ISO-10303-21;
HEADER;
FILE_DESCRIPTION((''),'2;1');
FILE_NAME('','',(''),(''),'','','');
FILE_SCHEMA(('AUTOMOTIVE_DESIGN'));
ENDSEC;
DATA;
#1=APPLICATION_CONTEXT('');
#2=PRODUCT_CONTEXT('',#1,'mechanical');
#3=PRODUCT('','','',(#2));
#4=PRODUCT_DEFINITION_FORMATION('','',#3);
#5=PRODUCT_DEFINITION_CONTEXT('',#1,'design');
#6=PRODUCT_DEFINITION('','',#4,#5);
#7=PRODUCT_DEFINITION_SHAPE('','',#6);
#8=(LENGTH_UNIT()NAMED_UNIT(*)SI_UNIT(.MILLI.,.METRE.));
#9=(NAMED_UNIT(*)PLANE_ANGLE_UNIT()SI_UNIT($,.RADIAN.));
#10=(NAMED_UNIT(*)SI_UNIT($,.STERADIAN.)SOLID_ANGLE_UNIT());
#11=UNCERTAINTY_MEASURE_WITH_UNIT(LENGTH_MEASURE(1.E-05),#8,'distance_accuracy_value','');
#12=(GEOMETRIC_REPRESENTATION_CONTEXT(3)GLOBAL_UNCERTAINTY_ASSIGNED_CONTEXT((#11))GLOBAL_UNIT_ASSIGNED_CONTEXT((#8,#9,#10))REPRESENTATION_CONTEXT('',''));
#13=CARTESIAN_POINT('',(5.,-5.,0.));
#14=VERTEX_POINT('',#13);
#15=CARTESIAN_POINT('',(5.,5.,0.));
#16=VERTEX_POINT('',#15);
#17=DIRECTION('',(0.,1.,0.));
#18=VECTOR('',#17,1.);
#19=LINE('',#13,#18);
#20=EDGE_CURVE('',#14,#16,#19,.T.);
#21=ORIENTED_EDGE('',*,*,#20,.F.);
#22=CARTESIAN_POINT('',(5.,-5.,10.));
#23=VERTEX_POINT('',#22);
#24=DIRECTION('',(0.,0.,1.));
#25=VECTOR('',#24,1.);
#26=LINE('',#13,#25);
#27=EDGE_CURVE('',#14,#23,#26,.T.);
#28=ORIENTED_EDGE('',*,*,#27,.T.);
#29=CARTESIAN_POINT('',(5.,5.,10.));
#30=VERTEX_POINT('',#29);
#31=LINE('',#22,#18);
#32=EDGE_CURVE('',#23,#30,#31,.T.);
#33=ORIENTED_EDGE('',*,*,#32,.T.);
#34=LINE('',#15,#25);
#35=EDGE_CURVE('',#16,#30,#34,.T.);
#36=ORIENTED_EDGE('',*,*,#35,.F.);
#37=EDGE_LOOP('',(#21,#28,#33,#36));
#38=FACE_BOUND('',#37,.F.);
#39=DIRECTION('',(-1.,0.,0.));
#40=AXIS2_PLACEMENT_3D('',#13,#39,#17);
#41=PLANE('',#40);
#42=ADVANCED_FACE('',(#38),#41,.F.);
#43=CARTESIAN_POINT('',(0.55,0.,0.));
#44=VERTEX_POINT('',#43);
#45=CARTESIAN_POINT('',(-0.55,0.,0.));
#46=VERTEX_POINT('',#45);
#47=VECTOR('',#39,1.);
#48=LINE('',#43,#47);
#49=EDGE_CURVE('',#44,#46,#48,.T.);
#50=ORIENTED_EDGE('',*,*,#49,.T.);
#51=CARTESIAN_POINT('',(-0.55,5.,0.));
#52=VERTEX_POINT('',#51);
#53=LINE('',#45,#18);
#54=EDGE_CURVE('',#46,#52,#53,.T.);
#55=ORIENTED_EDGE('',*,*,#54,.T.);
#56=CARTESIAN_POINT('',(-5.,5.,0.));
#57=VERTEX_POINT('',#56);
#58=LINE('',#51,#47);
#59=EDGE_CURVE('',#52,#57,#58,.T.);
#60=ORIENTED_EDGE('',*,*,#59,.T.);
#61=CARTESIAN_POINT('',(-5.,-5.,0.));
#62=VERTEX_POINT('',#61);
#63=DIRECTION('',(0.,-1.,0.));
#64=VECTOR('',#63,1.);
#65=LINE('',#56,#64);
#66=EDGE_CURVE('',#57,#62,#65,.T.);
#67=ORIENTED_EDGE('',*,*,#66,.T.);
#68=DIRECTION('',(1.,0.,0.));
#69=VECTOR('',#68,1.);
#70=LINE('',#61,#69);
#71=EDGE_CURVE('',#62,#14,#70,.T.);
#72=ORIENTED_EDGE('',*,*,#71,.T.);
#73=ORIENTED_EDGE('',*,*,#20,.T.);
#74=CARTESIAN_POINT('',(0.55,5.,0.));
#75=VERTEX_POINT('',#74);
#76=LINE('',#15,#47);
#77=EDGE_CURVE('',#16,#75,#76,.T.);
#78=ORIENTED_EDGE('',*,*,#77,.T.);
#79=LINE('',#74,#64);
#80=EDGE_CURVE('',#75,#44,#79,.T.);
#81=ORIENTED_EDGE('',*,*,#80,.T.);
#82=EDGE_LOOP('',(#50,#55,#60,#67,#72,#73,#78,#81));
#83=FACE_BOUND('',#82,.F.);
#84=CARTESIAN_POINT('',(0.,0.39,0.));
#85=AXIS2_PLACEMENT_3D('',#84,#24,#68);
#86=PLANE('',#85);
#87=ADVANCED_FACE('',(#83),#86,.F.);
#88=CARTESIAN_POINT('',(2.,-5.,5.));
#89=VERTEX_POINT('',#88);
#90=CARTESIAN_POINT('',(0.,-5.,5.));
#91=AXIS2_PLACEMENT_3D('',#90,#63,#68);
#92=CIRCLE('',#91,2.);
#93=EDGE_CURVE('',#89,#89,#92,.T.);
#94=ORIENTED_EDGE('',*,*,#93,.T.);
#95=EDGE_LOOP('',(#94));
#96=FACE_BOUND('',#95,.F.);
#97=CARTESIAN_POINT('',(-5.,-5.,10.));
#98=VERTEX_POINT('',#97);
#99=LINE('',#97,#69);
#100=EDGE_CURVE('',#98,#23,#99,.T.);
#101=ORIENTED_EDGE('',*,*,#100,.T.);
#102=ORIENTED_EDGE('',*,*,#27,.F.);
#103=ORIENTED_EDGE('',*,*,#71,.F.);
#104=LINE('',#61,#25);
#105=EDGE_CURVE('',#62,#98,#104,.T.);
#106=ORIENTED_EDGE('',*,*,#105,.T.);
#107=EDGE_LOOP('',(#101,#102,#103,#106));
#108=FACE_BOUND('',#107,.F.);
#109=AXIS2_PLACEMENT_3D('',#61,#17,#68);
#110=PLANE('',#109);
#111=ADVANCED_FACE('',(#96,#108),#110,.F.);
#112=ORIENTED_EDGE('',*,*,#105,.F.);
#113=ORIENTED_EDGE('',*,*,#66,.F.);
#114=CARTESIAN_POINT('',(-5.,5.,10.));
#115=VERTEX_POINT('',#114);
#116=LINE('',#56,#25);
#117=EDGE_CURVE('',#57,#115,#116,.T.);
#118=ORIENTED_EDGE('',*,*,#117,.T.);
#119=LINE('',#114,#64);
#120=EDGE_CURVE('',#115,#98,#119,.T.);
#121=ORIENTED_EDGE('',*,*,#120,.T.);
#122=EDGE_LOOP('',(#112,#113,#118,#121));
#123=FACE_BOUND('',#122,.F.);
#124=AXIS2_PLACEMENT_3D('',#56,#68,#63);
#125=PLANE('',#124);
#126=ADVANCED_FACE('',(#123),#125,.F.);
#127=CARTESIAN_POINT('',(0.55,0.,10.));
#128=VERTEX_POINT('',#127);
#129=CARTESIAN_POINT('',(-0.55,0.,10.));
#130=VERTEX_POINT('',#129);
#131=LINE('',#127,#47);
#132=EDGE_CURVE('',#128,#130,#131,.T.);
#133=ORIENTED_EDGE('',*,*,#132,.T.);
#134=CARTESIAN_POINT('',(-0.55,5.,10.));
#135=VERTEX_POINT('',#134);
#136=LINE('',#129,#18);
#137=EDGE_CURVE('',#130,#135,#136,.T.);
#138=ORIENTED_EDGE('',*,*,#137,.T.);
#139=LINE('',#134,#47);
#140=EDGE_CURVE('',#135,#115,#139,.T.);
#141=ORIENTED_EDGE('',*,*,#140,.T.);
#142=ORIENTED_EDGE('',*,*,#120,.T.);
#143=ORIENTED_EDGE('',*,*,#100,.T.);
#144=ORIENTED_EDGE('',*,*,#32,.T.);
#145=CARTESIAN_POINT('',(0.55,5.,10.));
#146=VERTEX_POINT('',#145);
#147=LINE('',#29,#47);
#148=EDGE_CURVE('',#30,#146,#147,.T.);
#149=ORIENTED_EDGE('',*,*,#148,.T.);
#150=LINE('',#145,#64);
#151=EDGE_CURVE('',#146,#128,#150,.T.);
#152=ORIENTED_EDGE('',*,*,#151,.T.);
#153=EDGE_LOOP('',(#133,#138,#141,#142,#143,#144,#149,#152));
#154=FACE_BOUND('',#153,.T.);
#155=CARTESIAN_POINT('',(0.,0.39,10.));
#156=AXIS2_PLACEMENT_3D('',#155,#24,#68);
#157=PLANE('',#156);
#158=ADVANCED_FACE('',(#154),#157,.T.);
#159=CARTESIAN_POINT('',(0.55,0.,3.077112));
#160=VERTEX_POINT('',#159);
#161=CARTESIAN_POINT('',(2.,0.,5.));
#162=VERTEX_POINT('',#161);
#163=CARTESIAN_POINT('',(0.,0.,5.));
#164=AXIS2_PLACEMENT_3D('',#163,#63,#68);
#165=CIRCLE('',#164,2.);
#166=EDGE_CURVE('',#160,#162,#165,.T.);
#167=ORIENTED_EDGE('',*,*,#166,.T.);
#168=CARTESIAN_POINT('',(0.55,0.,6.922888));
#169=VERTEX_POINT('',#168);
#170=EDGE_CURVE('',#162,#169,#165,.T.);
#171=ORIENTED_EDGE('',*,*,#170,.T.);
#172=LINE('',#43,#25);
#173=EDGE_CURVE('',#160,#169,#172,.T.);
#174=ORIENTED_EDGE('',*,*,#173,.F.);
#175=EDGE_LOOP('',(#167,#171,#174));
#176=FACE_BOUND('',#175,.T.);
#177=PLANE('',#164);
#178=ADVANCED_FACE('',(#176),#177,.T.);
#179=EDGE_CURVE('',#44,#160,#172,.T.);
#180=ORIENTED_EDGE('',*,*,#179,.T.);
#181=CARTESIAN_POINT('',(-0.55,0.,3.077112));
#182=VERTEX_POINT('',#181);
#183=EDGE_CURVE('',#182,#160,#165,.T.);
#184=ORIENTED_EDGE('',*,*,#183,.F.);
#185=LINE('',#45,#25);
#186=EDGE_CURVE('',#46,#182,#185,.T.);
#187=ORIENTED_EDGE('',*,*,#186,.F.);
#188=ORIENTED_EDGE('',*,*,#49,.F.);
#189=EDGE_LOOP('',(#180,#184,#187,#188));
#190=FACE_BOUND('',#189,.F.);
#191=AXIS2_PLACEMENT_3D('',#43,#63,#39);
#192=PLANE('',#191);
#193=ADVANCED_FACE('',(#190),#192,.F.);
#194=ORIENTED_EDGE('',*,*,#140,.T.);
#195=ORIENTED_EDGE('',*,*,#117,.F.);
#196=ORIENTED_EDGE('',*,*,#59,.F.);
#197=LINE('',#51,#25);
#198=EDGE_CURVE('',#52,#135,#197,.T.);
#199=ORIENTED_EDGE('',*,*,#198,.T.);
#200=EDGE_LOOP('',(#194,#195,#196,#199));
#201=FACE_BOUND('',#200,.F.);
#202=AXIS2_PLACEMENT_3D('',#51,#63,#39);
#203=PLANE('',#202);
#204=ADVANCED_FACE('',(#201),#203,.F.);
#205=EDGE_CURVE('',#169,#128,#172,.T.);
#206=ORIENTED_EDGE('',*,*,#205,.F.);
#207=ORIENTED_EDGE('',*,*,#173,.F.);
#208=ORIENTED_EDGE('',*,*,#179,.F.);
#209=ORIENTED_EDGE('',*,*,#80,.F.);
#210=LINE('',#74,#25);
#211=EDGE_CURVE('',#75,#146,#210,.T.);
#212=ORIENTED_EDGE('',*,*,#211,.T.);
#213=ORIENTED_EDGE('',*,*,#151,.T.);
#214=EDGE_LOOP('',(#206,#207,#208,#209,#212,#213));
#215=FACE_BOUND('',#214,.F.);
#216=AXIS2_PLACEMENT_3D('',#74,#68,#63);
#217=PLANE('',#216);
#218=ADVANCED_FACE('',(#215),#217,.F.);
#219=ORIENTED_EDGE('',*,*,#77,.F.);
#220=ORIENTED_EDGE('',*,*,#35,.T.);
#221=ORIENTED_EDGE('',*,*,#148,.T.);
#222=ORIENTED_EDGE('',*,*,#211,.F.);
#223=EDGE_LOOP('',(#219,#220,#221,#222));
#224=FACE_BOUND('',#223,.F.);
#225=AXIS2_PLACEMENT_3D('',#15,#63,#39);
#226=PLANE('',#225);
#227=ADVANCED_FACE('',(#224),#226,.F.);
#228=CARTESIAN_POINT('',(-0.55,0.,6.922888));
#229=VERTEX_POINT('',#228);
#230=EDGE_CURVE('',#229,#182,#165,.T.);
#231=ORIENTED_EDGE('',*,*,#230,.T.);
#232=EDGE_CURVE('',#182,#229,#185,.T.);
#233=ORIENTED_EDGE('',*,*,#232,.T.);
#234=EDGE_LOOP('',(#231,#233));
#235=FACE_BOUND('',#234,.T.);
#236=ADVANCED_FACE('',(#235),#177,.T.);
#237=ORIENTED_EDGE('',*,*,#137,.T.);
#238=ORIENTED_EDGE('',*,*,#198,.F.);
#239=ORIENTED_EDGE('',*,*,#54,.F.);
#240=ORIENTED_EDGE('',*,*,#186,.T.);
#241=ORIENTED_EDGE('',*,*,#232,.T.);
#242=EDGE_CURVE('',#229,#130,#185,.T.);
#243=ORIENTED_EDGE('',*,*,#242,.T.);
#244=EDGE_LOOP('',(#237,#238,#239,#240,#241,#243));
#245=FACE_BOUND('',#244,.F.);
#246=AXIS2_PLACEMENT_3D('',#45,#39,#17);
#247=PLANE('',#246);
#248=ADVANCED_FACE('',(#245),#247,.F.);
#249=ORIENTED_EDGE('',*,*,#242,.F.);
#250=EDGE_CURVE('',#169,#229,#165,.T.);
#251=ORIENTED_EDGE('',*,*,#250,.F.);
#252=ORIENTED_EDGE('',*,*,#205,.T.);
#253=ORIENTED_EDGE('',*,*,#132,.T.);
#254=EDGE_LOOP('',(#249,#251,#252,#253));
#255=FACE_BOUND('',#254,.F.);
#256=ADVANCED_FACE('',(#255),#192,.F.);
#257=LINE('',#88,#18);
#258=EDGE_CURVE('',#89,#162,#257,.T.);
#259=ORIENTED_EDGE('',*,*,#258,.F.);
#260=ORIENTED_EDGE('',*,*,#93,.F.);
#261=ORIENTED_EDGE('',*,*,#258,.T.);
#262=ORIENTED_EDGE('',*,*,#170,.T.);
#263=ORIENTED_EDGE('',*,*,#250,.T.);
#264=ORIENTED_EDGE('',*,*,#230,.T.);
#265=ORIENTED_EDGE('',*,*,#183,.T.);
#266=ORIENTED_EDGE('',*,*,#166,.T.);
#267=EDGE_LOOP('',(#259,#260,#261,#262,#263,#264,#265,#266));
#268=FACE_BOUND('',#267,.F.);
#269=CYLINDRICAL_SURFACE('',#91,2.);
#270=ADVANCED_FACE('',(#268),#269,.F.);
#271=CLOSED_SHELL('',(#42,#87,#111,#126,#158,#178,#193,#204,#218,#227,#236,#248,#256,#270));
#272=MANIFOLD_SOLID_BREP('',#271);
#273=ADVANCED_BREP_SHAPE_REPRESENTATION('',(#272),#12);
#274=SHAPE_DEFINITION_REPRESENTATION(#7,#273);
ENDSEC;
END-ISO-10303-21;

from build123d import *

# Parameters (mm, degrees)
F1_DEPTH = 10
F2_R     = 2
F3_DEPTH = 5


with BuildPart() as f1:
    # F0 (on Top) → F1 (new body)
    with BuildSketch(Plane.XY):
        Polygon((-5, -5), (5, -5), (5, 5), (0.55, 5), (0.55, 0), (-0.55, 0), (-0.55, 5), (-5, 5), align=None)
    extrude(amount=F1_DEPTH)

    # F2 (on face) → F3 (cut)
    with BuildSketch(Plane.XZ.offset(5)):
        with Locations((0, 5)):
            Circle(F2_R)
    extrude(amount=-F3_DEPTH, mode=Mode.SUBTRACT)


solid = f1.part
